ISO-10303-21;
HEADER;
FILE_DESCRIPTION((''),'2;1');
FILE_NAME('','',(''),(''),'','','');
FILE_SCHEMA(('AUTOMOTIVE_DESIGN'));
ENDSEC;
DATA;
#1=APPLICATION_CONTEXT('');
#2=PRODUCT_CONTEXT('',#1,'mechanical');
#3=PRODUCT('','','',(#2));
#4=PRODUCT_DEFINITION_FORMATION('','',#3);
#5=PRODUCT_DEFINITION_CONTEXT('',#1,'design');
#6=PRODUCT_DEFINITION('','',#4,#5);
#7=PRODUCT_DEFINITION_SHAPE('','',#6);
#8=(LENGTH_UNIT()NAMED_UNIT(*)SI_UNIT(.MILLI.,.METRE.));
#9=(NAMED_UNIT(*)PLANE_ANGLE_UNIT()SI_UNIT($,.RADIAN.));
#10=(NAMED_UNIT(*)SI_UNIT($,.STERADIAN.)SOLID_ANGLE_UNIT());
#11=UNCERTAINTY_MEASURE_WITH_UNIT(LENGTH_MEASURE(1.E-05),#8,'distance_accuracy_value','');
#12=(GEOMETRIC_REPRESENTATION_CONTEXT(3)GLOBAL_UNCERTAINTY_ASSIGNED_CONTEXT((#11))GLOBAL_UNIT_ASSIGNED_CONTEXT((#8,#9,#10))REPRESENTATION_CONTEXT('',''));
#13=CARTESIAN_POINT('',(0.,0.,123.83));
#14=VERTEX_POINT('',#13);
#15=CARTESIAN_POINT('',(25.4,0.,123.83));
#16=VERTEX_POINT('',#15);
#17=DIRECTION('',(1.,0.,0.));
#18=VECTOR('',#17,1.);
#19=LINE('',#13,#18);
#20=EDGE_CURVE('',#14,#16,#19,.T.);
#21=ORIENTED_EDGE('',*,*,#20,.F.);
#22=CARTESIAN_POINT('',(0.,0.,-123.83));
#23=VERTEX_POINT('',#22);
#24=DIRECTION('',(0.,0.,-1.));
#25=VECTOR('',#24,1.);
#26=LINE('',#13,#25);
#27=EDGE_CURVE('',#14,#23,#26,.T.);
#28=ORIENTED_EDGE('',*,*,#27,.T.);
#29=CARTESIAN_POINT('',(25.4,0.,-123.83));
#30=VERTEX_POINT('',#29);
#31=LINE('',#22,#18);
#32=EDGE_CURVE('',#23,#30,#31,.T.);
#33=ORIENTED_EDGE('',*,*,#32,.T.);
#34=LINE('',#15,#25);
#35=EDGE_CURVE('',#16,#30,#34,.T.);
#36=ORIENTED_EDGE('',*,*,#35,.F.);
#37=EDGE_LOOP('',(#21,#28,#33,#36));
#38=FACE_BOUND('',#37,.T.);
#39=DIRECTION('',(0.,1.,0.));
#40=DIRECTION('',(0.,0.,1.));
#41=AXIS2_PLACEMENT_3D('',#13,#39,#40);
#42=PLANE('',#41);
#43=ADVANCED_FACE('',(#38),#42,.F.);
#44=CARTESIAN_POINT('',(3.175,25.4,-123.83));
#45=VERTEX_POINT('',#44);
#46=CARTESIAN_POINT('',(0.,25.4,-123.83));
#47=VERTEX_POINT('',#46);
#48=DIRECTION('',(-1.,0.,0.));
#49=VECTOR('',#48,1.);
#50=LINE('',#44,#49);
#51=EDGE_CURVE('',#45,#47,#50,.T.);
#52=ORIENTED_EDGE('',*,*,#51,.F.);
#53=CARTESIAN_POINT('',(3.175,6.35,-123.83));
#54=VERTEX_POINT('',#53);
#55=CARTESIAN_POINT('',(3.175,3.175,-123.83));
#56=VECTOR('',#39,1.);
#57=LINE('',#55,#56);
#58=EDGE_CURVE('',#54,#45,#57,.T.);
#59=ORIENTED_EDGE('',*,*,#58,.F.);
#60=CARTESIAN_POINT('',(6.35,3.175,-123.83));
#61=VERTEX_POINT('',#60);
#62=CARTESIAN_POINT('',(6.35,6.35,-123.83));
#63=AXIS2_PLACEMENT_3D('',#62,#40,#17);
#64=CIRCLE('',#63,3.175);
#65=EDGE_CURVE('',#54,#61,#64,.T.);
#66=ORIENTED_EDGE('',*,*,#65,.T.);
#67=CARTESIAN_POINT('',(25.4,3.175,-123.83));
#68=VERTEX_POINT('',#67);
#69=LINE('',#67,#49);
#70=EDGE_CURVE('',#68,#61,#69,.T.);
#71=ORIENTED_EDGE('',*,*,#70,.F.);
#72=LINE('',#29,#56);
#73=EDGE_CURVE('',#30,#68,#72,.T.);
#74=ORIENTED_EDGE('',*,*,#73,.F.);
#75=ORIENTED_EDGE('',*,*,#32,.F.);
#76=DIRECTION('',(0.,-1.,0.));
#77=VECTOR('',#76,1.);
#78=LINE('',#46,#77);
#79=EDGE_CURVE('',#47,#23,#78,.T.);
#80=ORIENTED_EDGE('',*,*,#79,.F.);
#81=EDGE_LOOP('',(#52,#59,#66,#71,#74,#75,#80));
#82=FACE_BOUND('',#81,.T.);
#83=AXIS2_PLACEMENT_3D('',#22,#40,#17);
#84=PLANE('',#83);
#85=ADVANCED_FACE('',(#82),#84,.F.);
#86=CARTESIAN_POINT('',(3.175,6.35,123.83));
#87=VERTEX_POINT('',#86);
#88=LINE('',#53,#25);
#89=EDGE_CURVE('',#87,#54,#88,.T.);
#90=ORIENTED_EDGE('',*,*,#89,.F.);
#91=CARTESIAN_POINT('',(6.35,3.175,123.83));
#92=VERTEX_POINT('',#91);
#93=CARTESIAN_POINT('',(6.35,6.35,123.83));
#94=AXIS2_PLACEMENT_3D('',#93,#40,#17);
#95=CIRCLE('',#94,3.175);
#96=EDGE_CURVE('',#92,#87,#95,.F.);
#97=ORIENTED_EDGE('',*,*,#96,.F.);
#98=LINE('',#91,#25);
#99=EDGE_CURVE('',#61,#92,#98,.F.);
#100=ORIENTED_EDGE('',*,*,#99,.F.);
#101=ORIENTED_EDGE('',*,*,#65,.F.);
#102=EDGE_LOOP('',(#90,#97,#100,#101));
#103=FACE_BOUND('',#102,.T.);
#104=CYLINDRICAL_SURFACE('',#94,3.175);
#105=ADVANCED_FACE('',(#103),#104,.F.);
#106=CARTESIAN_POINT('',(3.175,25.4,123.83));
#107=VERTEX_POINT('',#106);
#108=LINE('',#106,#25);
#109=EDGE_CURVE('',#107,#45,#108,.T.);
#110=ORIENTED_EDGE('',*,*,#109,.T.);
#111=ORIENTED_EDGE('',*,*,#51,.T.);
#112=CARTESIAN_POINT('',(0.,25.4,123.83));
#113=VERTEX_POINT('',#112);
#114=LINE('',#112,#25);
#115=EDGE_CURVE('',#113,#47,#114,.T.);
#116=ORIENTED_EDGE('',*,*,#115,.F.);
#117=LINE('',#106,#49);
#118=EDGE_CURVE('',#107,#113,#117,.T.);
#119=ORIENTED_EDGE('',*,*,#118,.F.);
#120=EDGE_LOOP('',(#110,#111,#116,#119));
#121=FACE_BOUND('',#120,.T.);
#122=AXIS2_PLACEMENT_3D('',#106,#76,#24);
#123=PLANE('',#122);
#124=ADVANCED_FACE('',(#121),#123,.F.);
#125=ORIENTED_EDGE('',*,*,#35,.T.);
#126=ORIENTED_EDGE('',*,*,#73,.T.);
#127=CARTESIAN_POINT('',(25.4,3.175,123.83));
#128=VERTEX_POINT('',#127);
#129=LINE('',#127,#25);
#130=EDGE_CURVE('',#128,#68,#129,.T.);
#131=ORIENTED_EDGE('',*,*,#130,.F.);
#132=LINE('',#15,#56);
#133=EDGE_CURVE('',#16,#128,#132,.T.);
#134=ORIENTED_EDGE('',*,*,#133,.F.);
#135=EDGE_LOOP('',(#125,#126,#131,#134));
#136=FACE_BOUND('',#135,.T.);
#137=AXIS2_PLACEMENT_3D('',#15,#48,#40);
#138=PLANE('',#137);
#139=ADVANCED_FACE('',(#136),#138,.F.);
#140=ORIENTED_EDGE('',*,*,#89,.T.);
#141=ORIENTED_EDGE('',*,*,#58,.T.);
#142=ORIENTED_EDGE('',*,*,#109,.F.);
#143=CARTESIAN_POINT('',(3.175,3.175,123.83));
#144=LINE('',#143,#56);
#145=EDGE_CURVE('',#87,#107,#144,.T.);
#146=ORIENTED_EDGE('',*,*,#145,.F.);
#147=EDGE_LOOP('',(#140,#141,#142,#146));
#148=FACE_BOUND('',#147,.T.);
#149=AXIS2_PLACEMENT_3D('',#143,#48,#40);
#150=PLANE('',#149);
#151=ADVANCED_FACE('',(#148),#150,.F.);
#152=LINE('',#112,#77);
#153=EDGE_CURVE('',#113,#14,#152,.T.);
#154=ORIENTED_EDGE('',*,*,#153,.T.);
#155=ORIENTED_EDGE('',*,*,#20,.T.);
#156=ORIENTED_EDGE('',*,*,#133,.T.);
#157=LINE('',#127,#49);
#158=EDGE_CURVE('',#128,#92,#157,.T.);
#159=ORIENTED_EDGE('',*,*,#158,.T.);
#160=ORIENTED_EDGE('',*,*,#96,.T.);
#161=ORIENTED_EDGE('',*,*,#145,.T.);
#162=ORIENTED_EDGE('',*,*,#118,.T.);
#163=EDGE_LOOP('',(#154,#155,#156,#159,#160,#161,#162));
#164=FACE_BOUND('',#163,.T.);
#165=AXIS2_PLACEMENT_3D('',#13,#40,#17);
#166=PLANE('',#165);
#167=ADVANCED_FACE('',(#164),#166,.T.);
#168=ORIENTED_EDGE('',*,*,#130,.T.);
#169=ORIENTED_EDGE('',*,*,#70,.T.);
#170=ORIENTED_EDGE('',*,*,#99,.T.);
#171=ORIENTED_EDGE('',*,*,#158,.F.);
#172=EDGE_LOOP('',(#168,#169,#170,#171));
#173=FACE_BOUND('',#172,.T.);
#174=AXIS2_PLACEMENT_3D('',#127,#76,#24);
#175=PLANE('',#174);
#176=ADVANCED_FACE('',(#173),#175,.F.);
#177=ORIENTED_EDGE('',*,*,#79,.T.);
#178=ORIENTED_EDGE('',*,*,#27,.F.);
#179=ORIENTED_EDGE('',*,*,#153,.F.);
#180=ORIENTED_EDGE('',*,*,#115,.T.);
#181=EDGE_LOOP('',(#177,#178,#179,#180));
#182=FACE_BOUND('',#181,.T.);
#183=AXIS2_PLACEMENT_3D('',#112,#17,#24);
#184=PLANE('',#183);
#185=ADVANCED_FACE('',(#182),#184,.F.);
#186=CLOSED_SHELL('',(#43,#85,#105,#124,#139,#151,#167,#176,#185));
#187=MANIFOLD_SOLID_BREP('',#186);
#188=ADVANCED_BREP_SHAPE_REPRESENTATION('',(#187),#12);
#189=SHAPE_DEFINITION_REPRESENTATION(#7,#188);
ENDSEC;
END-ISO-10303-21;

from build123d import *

# Parameters (mm, degrees)
BOSS_EXTRUDE1_DEPTH = 123.83
FILLET1_R           = 3.175


with BuildPart() as part:
    # Sketch1 → Boss-Extrude1 (new body, symmetric)
    with BuildSketch(Plane.XY):
        Polygon((0, 25.4), (0, 0), (25.4, 0), (25.4, 3.175), (3.175, 3.175), (3.175, 25.4), align=None)
    extrude(amount=BOSS_EXTRUDE1_DEPTH, both=True)

    # Fillet1
    fillet1_edges = [part.edges().sort_by_distance(p)[0] for p in [
        (3.175, 3.175, 0),
    ]]
    fillet(fillet1_edges, radius=FILLET1_R)


solid = part.part
